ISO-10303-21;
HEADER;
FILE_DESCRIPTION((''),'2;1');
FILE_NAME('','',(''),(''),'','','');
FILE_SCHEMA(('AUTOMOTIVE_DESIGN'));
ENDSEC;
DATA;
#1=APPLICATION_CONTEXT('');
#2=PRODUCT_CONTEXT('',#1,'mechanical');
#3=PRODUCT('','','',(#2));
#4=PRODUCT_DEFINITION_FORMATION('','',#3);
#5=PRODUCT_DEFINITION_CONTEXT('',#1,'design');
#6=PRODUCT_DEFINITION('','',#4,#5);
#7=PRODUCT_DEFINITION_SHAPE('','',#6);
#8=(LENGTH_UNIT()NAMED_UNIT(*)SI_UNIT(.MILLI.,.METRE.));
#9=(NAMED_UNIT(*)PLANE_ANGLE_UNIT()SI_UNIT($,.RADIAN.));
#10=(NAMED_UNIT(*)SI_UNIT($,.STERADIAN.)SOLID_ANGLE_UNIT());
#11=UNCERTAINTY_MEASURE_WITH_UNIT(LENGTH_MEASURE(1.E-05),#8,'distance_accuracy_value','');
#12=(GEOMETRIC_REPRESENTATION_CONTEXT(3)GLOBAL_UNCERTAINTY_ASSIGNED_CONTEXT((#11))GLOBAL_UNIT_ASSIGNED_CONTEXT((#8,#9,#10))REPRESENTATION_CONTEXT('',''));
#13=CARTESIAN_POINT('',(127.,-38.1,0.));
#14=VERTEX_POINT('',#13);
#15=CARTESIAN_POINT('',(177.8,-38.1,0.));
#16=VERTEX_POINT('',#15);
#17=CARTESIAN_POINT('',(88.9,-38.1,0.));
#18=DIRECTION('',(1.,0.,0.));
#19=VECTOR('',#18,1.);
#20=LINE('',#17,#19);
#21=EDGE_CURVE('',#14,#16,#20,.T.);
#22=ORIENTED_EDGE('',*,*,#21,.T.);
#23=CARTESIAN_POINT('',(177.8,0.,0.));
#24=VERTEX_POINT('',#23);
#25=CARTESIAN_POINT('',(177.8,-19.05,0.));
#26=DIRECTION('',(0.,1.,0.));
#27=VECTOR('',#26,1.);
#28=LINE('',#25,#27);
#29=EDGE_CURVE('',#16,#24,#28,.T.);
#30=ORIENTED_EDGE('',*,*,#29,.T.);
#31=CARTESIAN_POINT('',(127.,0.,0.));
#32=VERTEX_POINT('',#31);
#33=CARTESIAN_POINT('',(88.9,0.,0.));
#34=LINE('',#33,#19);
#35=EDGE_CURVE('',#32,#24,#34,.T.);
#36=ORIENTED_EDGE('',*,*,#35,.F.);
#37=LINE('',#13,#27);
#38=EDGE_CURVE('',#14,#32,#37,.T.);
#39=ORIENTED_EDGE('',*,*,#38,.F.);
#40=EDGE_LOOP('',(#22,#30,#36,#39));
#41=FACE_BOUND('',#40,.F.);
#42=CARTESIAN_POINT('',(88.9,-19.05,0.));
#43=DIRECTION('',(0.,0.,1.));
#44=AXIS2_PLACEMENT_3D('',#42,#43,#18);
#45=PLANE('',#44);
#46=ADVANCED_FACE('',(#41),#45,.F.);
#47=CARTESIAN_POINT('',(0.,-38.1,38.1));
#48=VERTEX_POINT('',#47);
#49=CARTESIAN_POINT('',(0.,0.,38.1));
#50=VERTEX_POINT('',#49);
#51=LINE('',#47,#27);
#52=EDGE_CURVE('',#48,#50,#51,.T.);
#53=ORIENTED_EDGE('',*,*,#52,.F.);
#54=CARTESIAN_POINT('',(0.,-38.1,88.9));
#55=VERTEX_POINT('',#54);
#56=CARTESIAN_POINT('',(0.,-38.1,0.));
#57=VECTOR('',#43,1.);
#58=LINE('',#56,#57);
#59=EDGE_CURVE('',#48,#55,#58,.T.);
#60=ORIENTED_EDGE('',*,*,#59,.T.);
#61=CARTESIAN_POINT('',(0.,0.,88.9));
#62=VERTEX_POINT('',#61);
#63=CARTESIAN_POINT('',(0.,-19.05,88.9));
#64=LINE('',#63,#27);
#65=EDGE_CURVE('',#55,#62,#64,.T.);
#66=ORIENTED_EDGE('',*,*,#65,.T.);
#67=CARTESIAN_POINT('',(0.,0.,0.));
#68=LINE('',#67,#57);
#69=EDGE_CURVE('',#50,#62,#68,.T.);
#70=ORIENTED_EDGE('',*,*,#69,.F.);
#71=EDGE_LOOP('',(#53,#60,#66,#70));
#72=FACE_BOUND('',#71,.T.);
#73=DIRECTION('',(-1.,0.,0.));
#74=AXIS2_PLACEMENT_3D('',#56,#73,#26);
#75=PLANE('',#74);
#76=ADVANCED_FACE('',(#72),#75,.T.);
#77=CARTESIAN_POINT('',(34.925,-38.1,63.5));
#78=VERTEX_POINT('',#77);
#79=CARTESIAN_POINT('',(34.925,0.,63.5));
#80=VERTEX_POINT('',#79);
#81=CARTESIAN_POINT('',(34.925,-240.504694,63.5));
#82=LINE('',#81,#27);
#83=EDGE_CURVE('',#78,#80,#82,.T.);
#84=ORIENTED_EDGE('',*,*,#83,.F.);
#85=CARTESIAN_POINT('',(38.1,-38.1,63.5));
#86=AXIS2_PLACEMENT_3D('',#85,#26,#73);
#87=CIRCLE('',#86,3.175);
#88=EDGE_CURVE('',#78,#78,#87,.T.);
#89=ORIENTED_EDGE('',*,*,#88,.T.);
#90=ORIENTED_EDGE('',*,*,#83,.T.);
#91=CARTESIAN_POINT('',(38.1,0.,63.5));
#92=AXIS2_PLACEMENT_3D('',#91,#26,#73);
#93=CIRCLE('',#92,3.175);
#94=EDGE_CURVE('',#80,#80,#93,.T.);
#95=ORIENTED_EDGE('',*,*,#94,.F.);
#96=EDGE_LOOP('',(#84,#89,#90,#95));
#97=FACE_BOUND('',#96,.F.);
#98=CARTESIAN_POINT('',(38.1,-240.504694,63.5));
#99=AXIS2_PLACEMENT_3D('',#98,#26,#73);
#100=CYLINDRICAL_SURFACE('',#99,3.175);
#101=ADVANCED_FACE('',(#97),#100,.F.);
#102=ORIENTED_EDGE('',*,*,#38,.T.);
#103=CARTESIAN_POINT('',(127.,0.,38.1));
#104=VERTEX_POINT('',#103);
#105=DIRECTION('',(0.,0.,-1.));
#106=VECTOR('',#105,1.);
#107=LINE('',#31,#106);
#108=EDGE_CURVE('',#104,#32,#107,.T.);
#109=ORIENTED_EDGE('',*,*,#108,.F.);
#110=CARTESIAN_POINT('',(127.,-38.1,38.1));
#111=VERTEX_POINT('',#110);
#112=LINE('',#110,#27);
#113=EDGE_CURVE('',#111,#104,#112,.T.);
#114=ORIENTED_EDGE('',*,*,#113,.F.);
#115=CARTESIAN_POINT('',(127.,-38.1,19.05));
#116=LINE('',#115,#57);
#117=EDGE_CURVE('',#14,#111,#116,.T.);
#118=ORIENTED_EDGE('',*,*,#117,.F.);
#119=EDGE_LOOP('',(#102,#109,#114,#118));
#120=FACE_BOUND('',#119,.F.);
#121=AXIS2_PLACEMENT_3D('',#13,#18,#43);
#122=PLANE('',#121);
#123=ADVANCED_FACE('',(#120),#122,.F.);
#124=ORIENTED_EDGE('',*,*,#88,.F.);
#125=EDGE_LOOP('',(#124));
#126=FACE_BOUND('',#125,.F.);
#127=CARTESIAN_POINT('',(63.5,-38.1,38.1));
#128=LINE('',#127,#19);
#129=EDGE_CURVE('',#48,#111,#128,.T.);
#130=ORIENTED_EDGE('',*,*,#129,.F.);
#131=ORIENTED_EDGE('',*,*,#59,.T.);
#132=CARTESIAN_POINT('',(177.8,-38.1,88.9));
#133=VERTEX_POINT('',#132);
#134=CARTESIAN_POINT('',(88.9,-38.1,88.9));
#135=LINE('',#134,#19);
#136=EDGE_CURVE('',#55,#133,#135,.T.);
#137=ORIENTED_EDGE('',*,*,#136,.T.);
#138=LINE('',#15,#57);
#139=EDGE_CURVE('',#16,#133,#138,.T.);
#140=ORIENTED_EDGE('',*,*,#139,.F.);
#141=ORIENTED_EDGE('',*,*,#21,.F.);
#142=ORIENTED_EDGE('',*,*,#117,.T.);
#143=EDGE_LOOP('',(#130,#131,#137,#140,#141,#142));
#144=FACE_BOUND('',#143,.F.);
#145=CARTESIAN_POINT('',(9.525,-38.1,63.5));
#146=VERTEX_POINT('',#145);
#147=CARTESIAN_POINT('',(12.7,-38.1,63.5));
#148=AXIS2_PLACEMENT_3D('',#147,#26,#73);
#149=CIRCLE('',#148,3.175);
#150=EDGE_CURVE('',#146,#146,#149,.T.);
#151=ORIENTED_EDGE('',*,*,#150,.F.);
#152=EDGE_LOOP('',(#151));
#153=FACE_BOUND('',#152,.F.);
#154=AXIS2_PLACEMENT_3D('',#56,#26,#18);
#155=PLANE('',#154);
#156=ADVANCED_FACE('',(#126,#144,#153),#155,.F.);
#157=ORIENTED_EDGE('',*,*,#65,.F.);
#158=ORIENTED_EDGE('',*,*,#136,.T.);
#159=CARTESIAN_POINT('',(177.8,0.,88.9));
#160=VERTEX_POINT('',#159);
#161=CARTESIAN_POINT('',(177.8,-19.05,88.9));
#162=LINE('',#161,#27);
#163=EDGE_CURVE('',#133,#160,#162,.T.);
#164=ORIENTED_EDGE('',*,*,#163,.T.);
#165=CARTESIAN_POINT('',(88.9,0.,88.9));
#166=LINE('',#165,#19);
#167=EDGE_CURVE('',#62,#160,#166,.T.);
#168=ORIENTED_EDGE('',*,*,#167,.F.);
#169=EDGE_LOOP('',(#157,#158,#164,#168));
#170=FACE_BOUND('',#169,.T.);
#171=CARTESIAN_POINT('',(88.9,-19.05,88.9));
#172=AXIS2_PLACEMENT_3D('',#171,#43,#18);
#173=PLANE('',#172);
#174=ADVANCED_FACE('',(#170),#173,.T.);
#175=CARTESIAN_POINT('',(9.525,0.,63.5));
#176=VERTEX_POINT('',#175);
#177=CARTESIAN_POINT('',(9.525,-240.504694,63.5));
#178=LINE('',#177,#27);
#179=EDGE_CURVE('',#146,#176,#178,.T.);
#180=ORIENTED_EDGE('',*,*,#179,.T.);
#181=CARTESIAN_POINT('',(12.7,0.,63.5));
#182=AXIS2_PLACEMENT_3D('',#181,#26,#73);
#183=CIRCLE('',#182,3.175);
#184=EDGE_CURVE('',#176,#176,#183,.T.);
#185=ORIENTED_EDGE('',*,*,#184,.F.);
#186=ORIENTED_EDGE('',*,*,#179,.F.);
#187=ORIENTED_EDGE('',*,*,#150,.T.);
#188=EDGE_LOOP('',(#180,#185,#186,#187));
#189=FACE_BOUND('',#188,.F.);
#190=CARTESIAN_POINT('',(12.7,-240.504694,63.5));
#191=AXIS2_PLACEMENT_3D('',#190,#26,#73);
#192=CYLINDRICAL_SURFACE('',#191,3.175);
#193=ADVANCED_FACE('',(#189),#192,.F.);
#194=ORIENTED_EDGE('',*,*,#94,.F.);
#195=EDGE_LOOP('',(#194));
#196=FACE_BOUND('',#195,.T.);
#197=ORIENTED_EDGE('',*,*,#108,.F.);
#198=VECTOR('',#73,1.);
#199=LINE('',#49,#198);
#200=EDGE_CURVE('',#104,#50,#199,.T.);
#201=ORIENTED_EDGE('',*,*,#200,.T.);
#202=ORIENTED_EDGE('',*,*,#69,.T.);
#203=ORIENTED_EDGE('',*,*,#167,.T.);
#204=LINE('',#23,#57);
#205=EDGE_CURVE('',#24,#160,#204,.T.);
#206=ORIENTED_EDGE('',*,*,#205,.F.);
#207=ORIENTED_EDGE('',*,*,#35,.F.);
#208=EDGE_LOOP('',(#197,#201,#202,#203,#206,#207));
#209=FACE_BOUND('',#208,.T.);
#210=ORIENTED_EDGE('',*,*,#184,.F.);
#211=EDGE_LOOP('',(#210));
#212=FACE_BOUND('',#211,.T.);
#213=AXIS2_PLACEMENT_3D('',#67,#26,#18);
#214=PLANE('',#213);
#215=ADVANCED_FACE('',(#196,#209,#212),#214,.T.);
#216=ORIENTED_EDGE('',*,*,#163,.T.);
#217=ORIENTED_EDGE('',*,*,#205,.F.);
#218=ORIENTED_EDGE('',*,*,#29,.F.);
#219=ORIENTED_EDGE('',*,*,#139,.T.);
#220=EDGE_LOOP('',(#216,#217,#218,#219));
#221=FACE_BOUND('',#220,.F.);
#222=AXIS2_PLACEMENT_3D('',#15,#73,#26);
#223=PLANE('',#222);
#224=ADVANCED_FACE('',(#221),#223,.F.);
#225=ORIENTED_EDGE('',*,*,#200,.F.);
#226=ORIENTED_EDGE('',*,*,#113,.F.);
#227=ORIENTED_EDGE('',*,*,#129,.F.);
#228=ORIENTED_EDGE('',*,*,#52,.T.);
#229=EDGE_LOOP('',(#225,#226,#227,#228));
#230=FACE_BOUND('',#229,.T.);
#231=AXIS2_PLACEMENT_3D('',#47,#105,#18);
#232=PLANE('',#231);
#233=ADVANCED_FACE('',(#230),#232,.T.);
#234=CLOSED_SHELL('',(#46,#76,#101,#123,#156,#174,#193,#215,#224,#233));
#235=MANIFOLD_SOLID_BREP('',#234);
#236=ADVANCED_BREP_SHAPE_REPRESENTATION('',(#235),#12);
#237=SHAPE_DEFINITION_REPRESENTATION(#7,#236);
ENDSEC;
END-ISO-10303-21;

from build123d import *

# Parameters (mm, degrees)
F0_W     = 177.8
F0_H     = 38.1
F1_DEPTH = 88.9
F2_W     = 127
F2_H     = 38.1
F3_DEPTH = 38.101
F5_D     = 6.35


with BuildPart() as f1:
    # F0 (on Top) → F1 (new body)
    with BuildSketch(Plane.XY):
        with Locations((88.9, -19.05)):
            Rectangle(F0_W, F0_H)
    extrude(amount=F1_DEPTH)

    # F2 (on face) → F3 (cut, through all)
    with BuildSketch(Plane.XZ.offset(38.1)):
        with Locations((63.5, 19.05)):
            Rectangle(F2_W, F2_H)
    extrude(amount=-F3_DEPTH, mode=Mode.SUBTRACT)

    # F5 (through all)
    with Locations(Plane.XZ.offset(38.1)):
        with Locations((38.1, 63.5), (12.7, 63.5)):
            Hole(F5_D / 2)


solid = f1.part
